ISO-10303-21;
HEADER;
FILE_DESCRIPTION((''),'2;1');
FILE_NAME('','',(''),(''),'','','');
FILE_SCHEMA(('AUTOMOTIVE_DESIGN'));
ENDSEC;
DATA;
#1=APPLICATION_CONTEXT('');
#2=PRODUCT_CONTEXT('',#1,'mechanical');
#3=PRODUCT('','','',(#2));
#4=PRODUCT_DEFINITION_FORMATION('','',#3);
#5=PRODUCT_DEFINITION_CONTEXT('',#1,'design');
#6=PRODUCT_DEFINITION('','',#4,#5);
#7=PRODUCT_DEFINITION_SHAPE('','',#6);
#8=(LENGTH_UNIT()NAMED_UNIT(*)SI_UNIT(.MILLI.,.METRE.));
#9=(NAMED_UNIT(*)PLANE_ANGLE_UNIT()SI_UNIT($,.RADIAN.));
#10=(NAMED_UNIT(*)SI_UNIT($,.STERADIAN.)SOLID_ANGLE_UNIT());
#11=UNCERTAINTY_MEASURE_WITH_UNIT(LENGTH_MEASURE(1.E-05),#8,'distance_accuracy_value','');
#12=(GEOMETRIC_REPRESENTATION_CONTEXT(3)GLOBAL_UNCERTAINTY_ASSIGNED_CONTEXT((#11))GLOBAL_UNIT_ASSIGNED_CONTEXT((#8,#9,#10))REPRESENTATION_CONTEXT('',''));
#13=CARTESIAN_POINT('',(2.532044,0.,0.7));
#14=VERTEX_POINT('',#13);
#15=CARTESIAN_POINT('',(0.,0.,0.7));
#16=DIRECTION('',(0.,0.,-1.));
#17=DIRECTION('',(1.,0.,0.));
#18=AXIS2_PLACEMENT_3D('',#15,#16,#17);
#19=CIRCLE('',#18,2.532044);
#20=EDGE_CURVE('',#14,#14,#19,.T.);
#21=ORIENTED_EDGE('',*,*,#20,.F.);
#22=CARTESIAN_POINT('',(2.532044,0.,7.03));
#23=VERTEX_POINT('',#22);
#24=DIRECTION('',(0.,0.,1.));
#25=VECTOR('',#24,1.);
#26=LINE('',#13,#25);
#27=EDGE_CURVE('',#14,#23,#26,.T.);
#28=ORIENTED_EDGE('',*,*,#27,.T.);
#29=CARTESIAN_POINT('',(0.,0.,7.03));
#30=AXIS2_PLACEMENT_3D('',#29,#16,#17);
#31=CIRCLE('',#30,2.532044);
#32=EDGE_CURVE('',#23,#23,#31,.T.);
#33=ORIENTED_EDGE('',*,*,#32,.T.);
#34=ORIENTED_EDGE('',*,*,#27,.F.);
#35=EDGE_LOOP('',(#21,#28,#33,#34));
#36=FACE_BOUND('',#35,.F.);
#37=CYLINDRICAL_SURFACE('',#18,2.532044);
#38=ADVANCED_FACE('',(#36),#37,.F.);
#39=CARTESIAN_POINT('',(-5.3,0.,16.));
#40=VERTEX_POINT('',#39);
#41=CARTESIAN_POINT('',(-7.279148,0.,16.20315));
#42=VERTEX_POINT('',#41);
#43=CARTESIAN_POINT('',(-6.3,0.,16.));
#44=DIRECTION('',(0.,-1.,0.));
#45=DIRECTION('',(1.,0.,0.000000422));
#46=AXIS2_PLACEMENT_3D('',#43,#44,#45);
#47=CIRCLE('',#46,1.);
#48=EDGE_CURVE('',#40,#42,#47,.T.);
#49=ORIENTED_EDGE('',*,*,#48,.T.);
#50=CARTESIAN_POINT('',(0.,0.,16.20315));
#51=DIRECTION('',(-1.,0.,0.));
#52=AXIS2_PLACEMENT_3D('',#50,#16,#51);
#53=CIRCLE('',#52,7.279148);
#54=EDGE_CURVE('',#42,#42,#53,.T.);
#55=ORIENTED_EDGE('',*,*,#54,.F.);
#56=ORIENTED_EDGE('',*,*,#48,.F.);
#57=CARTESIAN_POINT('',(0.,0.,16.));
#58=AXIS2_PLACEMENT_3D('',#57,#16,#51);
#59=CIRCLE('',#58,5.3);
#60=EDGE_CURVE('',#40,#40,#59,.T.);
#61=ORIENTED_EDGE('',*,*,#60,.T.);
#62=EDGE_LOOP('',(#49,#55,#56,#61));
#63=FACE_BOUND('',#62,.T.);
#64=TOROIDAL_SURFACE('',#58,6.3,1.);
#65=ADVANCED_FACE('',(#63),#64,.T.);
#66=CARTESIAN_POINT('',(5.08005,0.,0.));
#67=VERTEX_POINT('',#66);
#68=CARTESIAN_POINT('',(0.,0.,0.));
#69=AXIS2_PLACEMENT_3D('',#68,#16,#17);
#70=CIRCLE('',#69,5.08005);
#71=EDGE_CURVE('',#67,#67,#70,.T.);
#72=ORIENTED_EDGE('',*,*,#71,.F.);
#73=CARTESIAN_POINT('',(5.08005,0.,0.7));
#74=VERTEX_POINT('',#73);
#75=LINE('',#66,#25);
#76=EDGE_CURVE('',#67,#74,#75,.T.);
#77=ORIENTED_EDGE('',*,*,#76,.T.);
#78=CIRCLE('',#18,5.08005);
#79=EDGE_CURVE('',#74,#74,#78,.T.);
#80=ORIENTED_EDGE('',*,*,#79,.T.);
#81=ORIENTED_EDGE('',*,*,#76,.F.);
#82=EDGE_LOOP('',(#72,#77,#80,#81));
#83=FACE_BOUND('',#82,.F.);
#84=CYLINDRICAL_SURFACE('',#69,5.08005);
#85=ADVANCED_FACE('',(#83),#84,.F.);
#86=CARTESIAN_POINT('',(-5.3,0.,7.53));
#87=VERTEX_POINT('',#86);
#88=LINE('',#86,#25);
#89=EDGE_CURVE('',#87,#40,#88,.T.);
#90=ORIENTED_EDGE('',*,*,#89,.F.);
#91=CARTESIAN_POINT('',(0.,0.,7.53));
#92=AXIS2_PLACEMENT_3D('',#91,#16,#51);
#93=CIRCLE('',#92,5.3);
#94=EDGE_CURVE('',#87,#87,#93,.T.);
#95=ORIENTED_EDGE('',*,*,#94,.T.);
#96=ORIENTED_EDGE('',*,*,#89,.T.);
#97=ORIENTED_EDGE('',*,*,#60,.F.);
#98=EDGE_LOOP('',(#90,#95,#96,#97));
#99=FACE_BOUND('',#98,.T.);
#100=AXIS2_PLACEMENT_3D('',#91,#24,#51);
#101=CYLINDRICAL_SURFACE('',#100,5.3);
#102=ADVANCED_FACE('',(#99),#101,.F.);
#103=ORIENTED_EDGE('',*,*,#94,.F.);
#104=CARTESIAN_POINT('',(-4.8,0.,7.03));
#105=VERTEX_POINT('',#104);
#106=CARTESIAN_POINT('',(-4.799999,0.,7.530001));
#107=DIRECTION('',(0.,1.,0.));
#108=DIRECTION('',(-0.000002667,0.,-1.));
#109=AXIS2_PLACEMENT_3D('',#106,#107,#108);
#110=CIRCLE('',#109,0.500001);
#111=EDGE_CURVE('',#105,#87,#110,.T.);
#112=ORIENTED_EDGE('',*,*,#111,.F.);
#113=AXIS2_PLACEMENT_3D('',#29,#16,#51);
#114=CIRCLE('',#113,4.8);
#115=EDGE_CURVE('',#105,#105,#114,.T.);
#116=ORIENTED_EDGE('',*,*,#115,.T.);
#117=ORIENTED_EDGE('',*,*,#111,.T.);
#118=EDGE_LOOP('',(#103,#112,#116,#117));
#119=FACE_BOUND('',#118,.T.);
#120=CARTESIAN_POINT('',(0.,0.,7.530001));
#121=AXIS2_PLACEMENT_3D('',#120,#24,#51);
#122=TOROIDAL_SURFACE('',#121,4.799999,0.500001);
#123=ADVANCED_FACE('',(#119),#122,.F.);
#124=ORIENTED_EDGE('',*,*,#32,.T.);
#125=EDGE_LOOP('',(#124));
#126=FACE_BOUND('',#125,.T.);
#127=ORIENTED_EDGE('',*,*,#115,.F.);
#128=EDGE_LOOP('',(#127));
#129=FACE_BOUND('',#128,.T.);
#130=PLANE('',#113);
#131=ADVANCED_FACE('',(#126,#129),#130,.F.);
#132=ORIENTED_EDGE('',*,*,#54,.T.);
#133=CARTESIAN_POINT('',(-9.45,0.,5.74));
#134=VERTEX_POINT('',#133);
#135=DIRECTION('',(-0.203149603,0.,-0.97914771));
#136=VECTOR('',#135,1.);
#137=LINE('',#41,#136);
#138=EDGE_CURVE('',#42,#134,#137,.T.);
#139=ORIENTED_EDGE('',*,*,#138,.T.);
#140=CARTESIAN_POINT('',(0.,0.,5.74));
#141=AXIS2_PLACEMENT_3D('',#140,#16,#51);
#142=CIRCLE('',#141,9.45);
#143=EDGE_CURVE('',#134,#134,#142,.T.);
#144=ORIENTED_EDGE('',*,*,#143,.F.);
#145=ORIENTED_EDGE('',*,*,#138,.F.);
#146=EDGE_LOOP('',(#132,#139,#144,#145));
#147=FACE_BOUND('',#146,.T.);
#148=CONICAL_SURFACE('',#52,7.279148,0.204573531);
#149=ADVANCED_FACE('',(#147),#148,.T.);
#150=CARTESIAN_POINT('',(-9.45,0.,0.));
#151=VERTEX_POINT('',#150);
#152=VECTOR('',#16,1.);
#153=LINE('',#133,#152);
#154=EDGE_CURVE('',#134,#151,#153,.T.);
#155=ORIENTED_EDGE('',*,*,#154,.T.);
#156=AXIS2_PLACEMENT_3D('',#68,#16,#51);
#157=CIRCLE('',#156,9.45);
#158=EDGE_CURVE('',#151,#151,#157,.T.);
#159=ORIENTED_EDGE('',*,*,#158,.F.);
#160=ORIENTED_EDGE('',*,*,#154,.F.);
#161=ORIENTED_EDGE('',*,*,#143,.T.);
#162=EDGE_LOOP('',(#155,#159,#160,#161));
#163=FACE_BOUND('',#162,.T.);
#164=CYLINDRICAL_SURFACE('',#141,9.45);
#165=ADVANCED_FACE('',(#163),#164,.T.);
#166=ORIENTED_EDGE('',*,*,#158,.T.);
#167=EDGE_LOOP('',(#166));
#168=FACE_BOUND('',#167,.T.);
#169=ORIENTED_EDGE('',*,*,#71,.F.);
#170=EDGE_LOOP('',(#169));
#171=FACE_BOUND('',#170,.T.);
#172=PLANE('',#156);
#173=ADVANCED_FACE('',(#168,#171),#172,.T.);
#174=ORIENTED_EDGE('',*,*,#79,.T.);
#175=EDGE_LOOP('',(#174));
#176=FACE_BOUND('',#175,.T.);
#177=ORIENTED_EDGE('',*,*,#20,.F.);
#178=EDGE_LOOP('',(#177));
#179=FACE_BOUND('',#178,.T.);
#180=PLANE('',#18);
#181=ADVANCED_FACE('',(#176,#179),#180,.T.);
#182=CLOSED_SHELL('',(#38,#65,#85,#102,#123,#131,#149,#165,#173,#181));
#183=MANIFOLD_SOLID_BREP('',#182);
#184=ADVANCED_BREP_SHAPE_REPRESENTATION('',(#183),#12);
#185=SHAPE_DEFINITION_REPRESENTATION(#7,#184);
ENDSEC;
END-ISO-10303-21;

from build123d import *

# Parameters (mm, degrees)
F2_R     = 5.08005
F3_DEPTH = 0.7
F4_R     = 2.532044
F5_DEPTH = 25


with BuildPart() as f1:
    # F0 (on Front) → F1 (revolve)
    with BuildSketch(Plane.XZ):
        with BuildLine():
            Line((-9.45, 0), (0, 0))
            Line((0, 0), (0, 7.03))
            Line((0, 7.03), (-4.8, 7.03))
            ThreePointArc((-4.8, 7.03), (-5.153553, 7.176447), (-5.3, 7.53))
            Line((-5.3, 7.53), (-5.3, 16))
            ThreePointArc((-5.3, 16), (-6.197891, 16.994773), (-7.279148, 16.20315))
            Line((-7.279148, 16.20315), (-9.45, 5.74))
            Line((-9.45, 5.74), (-9.45, 0))
        make_face()
    revolve(axis=Axis((0, 0, 3.515), (0, 0, -1)))

    # F2 (on face) → F3 (cut)
    with BuildSketch(Plane(origin=(0, 0, 0), x_dir=(1, 0, 0), z_dir=(0, 0, -1))):
        Circle(F2_R)
    extrude(amount=-F3_DEPTH, mode=Mode.SUBTRACT)

    # F4 (on face) → F5 (cut)
    with BuildSketch(Plane(origin=(0, 0, 0.7), x_dir=(1, 0, 0), z_dir=(0, 0, -1))):
        Circle(F4_R)
    extrude(amount=-F5_DEPTH, mode=Mode.SUBTRACT)


solid = f1.part
